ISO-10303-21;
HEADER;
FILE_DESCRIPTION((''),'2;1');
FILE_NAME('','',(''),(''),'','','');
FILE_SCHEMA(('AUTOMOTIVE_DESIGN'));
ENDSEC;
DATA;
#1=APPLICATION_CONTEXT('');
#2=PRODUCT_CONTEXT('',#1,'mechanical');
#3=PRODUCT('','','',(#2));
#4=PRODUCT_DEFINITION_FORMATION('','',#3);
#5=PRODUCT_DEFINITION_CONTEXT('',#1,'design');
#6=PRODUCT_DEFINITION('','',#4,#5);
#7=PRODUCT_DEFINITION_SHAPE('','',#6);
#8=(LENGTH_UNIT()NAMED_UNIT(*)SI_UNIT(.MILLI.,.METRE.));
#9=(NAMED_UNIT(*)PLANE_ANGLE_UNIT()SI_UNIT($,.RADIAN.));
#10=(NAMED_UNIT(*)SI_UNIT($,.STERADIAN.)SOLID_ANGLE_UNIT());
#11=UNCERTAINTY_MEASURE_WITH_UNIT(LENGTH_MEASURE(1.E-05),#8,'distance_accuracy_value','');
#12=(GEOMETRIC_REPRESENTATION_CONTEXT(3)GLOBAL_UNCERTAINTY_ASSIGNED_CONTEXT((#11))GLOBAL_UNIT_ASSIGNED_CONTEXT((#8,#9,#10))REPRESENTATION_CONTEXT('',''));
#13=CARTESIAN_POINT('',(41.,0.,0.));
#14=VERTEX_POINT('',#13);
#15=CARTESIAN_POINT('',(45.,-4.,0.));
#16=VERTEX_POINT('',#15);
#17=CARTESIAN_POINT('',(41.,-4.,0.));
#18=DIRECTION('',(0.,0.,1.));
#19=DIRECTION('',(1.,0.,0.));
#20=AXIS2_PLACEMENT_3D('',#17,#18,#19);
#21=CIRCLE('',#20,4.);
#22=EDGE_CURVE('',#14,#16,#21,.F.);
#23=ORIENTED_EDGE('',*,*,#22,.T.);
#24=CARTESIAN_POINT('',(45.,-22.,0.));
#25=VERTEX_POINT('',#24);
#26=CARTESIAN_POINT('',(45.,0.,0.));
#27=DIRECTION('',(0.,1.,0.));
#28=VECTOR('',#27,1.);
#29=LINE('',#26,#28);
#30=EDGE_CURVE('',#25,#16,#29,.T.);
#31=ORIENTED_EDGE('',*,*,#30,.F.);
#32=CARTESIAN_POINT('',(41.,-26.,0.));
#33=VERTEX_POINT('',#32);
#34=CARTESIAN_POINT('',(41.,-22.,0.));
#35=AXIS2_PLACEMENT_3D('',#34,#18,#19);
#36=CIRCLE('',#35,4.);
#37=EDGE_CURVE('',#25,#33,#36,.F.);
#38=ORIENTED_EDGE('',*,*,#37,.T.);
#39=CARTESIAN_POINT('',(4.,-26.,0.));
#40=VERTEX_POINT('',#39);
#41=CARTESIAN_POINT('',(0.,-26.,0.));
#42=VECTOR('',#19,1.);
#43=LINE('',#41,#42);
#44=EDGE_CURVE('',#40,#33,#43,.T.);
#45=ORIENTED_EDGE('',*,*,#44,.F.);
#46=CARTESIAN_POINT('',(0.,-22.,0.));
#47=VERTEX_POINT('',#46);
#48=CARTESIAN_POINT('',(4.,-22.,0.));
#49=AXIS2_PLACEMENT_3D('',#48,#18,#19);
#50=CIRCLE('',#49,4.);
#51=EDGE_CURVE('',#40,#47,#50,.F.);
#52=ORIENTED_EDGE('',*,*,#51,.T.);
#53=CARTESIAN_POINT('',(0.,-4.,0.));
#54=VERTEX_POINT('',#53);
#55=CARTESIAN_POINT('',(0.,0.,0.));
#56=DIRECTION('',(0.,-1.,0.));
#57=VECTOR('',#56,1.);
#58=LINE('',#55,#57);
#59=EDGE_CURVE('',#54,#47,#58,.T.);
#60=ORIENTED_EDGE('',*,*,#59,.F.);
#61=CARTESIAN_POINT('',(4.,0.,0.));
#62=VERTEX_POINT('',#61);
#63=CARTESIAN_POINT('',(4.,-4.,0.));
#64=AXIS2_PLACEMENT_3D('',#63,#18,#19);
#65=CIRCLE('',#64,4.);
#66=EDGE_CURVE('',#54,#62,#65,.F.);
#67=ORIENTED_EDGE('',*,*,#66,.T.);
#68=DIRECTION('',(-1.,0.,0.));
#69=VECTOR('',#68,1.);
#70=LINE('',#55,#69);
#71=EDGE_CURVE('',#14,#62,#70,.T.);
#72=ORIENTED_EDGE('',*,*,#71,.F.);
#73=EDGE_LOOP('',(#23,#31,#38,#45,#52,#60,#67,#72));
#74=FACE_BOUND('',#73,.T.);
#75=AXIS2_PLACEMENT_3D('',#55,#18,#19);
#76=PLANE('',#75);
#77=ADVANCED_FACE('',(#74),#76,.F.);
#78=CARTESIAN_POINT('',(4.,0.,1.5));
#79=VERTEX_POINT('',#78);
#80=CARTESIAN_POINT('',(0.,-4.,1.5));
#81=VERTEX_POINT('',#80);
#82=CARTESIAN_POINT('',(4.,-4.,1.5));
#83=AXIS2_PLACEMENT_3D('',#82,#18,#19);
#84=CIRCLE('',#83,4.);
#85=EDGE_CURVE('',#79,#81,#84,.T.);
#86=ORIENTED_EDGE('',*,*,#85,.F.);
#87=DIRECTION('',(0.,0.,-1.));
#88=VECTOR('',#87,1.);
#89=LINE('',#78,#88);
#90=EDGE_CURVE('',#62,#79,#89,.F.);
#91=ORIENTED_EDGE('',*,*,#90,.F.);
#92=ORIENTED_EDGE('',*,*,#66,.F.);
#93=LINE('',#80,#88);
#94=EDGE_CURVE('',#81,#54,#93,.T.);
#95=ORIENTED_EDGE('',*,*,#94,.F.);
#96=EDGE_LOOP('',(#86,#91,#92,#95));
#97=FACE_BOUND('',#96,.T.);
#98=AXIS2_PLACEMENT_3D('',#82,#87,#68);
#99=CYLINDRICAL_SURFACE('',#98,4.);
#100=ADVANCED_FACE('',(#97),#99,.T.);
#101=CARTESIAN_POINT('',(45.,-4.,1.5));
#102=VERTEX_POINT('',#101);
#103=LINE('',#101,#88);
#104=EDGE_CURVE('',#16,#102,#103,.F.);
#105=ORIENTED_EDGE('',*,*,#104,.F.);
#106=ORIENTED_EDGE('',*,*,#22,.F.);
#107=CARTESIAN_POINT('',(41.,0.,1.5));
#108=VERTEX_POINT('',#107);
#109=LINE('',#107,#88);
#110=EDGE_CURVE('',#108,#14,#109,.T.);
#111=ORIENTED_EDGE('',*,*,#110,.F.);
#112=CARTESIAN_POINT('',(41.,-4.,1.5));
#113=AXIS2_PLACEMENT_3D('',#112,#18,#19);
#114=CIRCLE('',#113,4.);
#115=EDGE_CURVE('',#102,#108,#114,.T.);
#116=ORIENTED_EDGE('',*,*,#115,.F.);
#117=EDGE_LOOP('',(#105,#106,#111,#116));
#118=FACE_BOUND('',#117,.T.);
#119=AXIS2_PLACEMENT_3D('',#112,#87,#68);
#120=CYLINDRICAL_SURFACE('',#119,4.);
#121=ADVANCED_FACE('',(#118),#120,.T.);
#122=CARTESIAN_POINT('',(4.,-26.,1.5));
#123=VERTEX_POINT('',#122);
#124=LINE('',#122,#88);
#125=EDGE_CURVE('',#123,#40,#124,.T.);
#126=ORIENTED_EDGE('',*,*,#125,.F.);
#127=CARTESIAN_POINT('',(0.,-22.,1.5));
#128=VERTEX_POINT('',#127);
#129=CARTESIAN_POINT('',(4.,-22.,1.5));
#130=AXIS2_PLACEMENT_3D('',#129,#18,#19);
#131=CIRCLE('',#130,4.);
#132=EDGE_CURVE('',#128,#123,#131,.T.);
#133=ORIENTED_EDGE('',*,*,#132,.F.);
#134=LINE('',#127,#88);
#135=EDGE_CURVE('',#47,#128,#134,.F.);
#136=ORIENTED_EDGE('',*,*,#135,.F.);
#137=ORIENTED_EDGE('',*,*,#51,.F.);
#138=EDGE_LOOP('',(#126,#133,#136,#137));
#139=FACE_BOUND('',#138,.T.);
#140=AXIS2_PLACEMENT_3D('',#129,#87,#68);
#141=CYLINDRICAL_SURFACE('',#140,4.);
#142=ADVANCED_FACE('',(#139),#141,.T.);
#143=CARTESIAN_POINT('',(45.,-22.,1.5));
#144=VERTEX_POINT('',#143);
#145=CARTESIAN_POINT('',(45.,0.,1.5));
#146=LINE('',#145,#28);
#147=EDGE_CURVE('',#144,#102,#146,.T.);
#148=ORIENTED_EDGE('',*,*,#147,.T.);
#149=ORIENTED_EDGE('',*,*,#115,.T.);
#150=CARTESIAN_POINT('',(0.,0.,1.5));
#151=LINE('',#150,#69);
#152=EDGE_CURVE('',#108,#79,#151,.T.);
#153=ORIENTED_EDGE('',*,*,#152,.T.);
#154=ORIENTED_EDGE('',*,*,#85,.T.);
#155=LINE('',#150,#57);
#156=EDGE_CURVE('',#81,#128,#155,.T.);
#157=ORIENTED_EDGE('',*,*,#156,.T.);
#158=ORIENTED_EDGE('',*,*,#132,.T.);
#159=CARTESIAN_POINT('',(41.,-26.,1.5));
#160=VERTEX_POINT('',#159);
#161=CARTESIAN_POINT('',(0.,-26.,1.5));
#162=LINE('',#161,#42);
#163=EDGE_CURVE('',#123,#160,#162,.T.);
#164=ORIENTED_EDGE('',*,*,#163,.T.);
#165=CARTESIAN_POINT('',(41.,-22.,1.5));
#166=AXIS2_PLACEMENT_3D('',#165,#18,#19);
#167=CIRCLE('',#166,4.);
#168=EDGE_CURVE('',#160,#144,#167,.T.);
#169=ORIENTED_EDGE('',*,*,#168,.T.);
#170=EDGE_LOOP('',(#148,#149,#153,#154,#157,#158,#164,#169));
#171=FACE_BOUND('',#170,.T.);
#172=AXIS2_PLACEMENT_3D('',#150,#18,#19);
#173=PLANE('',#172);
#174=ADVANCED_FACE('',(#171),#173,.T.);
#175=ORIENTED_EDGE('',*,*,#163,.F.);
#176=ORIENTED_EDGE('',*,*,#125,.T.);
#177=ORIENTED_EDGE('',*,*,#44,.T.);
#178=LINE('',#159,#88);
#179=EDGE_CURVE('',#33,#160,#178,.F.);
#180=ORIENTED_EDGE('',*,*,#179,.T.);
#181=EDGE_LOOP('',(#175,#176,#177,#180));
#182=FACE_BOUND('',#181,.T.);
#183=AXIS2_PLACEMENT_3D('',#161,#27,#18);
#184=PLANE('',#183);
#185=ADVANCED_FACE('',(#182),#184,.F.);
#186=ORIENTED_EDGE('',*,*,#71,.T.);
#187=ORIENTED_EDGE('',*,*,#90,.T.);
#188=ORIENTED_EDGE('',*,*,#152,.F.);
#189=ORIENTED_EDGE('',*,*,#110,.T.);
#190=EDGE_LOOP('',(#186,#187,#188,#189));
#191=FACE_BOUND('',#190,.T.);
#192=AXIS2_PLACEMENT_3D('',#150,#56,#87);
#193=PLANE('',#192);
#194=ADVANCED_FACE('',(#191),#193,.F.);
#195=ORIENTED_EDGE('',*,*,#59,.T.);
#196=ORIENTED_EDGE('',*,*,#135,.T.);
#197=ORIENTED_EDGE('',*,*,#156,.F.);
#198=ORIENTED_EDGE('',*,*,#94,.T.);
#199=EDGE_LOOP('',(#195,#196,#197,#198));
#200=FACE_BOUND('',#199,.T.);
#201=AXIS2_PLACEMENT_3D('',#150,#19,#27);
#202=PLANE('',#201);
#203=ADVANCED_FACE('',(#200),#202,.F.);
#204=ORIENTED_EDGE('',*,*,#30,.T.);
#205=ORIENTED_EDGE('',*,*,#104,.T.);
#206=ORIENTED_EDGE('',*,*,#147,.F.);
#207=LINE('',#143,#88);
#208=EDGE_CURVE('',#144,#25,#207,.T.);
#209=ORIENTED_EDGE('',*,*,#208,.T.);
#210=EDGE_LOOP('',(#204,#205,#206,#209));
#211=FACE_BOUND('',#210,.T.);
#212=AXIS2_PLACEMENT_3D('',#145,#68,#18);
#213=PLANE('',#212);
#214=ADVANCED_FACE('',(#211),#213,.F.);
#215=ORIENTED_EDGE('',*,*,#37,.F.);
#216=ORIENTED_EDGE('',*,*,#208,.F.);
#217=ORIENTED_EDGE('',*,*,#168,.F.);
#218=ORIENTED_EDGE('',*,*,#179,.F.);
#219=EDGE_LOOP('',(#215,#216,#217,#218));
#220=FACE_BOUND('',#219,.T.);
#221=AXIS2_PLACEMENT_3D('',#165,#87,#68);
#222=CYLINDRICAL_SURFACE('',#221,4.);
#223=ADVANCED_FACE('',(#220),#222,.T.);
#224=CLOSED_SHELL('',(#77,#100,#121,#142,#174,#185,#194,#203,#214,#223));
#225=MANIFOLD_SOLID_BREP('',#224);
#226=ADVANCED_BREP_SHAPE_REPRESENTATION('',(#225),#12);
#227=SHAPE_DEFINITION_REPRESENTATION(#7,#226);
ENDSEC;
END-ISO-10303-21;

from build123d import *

# Parameters (mm, degrees)
SKETCH1_W           = 45
SKETCH1_H           = 26
BOSS_EXTRUDE1_DEPTH = 1.5
FILLET1_R           = 4


with BuildPart() as part:
    # Sketch1 → Boss-Extrude1 (new body)
    with BuildSketch(Plane.XY):
        with Locations((22.5, -13)):
            Rectangle(SKETCH1_W, SKETCH1_H)
    extrude(amount=BOSS_EXTRUDE1_DEPTH)

    # Fillet1
    fillet1_edges = [part.edges().sort_by_distance(p)[0] for p in [
        (0, 0, 0.75),
        (45, 0, 0.75),
        (45, -26, 0.75),
        (0, -26, 0.75),
    ]]
    fillet(fillet1_edges, radius=FILLET1_R)


solid = part.part
